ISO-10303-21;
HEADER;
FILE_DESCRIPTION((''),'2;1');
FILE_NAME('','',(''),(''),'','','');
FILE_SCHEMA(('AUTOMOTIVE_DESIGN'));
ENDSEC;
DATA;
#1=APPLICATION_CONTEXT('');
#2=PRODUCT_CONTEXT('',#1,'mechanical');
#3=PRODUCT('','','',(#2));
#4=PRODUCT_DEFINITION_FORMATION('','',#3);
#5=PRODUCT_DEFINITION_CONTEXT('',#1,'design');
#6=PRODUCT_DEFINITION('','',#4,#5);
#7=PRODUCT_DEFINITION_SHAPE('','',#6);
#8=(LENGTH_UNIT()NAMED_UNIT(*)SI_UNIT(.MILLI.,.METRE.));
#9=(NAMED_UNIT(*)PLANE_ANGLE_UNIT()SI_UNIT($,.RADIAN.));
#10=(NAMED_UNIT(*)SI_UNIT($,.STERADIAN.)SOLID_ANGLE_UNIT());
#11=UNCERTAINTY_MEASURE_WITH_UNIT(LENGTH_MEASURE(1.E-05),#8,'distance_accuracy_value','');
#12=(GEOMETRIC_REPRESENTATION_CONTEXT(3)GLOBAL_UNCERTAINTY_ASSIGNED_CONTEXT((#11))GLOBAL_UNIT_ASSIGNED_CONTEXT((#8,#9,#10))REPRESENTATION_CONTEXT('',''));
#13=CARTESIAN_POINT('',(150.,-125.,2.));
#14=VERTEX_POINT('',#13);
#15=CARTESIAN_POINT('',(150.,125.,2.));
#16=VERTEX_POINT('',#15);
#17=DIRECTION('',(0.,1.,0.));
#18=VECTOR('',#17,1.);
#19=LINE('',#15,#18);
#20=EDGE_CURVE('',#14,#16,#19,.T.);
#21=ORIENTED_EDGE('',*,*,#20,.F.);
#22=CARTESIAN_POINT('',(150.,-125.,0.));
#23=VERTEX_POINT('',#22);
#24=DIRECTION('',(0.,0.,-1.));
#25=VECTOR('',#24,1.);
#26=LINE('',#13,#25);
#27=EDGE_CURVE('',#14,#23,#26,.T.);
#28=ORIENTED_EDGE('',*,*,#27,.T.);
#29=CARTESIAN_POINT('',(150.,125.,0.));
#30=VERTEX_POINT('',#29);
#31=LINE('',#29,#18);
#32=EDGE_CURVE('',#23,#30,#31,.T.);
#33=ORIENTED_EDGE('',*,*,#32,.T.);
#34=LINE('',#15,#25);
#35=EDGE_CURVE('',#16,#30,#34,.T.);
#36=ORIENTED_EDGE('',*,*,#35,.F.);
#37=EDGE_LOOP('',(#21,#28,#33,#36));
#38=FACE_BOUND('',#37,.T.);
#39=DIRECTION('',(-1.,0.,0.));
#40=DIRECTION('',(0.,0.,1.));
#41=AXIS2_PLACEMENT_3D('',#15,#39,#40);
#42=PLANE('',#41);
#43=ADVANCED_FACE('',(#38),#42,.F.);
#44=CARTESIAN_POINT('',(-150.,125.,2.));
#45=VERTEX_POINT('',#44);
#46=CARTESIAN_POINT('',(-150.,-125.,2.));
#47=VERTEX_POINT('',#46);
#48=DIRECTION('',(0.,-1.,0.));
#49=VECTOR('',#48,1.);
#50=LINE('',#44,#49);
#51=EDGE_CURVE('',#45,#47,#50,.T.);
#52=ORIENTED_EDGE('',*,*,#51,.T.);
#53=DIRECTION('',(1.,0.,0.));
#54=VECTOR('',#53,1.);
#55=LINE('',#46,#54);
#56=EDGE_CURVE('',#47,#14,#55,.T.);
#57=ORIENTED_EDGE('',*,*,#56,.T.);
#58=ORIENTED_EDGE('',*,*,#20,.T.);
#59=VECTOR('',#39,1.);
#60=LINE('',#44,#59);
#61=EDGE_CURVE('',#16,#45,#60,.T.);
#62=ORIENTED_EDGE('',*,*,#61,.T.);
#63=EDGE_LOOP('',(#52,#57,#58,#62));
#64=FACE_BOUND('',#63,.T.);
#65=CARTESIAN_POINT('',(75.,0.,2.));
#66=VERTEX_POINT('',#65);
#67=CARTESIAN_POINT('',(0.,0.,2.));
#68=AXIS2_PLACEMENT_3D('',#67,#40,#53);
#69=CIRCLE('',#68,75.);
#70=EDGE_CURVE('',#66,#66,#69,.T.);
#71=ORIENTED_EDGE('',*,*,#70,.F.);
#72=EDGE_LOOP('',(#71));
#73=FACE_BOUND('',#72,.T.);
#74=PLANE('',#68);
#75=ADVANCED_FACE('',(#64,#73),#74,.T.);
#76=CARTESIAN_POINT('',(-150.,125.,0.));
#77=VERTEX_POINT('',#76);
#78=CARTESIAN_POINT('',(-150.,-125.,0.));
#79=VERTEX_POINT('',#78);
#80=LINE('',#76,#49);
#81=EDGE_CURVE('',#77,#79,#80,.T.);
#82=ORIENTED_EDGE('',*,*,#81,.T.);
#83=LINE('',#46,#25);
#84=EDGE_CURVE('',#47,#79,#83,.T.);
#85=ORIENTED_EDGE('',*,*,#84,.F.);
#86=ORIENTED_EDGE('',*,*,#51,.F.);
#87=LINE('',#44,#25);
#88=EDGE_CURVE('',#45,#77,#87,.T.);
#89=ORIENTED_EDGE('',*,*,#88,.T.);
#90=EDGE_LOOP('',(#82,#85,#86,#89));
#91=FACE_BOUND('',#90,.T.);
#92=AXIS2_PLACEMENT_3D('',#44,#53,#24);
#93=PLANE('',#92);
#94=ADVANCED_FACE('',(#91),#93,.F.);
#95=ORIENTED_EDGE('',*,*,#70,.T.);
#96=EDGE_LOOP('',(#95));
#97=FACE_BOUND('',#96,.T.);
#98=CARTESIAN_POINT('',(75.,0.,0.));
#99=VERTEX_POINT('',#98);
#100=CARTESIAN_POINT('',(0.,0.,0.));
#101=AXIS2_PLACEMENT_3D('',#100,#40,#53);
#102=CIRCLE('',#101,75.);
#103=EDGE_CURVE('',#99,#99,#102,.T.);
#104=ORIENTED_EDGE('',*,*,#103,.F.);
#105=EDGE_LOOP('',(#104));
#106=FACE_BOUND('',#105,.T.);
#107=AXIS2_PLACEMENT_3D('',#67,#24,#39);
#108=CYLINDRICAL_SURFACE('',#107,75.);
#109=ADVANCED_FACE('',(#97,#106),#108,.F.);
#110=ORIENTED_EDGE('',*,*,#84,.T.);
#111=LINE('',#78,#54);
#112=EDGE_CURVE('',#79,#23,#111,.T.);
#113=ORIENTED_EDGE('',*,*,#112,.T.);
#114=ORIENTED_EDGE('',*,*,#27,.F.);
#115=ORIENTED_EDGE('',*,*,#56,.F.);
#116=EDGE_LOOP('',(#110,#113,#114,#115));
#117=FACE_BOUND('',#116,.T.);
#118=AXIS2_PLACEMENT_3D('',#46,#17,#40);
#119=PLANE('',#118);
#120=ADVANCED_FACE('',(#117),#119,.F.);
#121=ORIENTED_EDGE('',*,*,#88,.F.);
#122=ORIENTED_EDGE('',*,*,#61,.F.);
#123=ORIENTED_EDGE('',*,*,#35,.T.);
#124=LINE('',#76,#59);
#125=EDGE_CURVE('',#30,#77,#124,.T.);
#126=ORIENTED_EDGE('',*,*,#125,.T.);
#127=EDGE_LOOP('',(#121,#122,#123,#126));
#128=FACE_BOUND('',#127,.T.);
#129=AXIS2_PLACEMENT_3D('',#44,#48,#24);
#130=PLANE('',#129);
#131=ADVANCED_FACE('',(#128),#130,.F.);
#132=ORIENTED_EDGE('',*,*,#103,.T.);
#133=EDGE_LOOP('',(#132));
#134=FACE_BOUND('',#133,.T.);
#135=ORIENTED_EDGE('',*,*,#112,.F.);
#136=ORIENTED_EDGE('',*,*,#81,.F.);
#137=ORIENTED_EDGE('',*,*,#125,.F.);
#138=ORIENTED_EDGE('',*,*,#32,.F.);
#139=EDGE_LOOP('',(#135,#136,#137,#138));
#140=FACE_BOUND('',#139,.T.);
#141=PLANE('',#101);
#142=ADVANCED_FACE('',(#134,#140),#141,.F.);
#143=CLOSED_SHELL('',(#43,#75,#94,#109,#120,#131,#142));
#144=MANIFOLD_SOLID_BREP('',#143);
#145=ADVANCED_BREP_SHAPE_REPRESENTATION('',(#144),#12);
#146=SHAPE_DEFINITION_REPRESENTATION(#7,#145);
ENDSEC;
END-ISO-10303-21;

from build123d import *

# Parameters (mm, degrees)
SKETCH1_W           = 300
SKETCH1_H           = 250
SKETCH1_R           = 75
BOSS_EXTRUDE1_DEPTH = 2


with BuildPart() as part:
    # Sketch1 → Boss-Extrude1 (new body)
    with BuildSketch(Plane.XY):
        Rectangle(SKETCH1_W, SKETCH1_H)
        Circle(SKETCH1_R, mode=Mode.SUBTRACT)
    extrude(amount=BOSS_EXTRUDE1_DEPTH)


solid = part.part
